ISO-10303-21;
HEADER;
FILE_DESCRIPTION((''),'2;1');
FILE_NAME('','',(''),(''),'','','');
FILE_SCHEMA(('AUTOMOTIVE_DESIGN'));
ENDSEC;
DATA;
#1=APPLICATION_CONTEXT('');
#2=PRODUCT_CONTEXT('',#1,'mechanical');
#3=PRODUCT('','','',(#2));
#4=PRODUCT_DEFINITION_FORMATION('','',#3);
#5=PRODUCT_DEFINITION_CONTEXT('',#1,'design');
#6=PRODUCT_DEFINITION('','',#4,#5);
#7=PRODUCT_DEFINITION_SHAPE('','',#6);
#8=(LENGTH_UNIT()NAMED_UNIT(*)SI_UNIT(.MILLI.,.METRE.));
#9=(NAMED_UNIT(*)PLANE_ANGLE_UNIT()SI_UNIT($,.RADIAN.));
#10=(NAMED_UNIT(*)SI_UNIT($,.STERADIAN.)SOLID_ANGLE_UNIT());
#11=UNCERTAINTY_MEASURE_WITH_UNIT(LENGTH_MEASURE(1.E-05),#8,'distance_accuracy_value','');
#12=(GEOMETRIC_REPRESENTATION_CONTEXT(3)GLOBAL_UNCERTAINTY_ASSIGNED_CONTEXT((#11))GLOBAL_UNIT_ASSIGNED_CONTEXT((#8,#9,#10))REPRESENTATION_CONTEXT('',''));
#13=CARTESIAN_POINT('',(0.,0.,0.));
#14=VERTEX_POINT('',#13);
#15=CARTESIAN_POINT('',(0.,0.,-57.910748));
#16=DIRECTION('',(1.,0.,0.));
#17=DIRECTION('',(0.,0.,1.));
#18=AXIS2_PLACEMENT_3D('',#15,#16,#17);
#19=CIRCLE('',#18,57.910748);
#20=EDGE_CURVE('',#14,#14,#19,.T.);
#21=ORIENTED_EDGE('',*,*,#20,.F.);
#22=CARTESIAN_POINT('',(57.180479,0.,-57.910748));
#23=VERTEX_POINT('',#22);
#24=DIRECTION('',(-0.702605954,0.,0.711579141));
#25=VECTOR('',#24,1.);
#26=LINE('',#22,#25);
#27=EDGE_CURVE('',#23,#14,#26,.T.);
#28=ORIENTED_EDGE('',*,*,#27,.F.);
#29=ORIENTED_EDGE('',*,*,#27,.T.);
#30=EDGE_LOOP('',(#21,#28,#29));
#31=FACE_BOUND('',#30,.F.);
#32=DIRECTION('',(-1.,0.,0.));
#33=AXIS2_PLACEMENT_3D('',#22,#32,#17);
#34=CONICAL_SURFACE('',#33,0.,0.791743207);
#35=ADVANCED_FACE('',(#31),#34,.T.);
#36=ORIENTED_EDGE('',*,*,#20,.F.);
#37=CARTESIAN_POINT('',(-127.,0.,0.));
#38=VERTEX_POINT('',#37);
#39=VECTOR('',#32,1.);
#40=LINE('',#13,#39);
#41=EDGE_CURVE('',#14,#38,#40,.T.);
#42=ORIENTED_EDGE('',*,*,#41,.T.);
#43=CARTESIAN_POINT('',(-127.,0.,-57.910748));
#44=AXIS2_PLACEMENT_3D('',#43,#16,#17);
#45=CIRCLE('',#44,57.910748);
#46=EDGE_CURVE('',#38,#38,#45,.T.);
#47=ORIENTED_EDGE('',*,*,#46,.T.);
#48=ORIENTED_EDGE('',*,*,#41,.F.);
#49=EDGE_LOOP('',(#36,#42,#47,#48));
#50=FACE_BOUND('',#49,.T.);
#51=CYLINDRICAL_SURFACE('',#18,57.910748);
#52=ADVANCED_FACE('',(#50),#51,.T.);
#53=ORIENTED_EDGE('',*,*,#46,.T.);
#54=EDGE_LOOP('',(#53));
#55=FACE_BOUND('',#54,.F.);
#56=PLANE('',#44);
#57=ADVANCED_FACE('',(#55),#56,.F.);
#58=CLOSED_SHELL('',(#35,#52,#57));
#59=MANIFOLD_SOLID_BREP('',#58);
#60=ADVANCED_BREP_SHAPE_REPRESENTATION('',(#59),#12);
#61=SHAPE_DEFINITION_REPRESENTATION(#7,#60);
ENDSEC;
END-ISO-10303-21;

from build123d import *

# Parameters (mm, degrees)
F2_DEPTH = 127


with BuildPart() as f1:
    # F0 (on Front) → F1 (revolve)
    with BuildSketch(Plane.XZ):
        Polygon((0, 0), (0, -57.9107478261), (57.1804791689, -57.9107478261), align=None)
    revolve(axis=Axis((28.5902395844, 0, -57.9107478261), (1, 0, 0)))

    # F2 (add): a face of the model
    f2_faces = [f1.faces().sort_by_distance(p)[0] for p in [
        (0, 0, -57.9107478261),
    ]]
    extrude(f2_faces, amount=F2_DEPTH)


solid = f1.part
